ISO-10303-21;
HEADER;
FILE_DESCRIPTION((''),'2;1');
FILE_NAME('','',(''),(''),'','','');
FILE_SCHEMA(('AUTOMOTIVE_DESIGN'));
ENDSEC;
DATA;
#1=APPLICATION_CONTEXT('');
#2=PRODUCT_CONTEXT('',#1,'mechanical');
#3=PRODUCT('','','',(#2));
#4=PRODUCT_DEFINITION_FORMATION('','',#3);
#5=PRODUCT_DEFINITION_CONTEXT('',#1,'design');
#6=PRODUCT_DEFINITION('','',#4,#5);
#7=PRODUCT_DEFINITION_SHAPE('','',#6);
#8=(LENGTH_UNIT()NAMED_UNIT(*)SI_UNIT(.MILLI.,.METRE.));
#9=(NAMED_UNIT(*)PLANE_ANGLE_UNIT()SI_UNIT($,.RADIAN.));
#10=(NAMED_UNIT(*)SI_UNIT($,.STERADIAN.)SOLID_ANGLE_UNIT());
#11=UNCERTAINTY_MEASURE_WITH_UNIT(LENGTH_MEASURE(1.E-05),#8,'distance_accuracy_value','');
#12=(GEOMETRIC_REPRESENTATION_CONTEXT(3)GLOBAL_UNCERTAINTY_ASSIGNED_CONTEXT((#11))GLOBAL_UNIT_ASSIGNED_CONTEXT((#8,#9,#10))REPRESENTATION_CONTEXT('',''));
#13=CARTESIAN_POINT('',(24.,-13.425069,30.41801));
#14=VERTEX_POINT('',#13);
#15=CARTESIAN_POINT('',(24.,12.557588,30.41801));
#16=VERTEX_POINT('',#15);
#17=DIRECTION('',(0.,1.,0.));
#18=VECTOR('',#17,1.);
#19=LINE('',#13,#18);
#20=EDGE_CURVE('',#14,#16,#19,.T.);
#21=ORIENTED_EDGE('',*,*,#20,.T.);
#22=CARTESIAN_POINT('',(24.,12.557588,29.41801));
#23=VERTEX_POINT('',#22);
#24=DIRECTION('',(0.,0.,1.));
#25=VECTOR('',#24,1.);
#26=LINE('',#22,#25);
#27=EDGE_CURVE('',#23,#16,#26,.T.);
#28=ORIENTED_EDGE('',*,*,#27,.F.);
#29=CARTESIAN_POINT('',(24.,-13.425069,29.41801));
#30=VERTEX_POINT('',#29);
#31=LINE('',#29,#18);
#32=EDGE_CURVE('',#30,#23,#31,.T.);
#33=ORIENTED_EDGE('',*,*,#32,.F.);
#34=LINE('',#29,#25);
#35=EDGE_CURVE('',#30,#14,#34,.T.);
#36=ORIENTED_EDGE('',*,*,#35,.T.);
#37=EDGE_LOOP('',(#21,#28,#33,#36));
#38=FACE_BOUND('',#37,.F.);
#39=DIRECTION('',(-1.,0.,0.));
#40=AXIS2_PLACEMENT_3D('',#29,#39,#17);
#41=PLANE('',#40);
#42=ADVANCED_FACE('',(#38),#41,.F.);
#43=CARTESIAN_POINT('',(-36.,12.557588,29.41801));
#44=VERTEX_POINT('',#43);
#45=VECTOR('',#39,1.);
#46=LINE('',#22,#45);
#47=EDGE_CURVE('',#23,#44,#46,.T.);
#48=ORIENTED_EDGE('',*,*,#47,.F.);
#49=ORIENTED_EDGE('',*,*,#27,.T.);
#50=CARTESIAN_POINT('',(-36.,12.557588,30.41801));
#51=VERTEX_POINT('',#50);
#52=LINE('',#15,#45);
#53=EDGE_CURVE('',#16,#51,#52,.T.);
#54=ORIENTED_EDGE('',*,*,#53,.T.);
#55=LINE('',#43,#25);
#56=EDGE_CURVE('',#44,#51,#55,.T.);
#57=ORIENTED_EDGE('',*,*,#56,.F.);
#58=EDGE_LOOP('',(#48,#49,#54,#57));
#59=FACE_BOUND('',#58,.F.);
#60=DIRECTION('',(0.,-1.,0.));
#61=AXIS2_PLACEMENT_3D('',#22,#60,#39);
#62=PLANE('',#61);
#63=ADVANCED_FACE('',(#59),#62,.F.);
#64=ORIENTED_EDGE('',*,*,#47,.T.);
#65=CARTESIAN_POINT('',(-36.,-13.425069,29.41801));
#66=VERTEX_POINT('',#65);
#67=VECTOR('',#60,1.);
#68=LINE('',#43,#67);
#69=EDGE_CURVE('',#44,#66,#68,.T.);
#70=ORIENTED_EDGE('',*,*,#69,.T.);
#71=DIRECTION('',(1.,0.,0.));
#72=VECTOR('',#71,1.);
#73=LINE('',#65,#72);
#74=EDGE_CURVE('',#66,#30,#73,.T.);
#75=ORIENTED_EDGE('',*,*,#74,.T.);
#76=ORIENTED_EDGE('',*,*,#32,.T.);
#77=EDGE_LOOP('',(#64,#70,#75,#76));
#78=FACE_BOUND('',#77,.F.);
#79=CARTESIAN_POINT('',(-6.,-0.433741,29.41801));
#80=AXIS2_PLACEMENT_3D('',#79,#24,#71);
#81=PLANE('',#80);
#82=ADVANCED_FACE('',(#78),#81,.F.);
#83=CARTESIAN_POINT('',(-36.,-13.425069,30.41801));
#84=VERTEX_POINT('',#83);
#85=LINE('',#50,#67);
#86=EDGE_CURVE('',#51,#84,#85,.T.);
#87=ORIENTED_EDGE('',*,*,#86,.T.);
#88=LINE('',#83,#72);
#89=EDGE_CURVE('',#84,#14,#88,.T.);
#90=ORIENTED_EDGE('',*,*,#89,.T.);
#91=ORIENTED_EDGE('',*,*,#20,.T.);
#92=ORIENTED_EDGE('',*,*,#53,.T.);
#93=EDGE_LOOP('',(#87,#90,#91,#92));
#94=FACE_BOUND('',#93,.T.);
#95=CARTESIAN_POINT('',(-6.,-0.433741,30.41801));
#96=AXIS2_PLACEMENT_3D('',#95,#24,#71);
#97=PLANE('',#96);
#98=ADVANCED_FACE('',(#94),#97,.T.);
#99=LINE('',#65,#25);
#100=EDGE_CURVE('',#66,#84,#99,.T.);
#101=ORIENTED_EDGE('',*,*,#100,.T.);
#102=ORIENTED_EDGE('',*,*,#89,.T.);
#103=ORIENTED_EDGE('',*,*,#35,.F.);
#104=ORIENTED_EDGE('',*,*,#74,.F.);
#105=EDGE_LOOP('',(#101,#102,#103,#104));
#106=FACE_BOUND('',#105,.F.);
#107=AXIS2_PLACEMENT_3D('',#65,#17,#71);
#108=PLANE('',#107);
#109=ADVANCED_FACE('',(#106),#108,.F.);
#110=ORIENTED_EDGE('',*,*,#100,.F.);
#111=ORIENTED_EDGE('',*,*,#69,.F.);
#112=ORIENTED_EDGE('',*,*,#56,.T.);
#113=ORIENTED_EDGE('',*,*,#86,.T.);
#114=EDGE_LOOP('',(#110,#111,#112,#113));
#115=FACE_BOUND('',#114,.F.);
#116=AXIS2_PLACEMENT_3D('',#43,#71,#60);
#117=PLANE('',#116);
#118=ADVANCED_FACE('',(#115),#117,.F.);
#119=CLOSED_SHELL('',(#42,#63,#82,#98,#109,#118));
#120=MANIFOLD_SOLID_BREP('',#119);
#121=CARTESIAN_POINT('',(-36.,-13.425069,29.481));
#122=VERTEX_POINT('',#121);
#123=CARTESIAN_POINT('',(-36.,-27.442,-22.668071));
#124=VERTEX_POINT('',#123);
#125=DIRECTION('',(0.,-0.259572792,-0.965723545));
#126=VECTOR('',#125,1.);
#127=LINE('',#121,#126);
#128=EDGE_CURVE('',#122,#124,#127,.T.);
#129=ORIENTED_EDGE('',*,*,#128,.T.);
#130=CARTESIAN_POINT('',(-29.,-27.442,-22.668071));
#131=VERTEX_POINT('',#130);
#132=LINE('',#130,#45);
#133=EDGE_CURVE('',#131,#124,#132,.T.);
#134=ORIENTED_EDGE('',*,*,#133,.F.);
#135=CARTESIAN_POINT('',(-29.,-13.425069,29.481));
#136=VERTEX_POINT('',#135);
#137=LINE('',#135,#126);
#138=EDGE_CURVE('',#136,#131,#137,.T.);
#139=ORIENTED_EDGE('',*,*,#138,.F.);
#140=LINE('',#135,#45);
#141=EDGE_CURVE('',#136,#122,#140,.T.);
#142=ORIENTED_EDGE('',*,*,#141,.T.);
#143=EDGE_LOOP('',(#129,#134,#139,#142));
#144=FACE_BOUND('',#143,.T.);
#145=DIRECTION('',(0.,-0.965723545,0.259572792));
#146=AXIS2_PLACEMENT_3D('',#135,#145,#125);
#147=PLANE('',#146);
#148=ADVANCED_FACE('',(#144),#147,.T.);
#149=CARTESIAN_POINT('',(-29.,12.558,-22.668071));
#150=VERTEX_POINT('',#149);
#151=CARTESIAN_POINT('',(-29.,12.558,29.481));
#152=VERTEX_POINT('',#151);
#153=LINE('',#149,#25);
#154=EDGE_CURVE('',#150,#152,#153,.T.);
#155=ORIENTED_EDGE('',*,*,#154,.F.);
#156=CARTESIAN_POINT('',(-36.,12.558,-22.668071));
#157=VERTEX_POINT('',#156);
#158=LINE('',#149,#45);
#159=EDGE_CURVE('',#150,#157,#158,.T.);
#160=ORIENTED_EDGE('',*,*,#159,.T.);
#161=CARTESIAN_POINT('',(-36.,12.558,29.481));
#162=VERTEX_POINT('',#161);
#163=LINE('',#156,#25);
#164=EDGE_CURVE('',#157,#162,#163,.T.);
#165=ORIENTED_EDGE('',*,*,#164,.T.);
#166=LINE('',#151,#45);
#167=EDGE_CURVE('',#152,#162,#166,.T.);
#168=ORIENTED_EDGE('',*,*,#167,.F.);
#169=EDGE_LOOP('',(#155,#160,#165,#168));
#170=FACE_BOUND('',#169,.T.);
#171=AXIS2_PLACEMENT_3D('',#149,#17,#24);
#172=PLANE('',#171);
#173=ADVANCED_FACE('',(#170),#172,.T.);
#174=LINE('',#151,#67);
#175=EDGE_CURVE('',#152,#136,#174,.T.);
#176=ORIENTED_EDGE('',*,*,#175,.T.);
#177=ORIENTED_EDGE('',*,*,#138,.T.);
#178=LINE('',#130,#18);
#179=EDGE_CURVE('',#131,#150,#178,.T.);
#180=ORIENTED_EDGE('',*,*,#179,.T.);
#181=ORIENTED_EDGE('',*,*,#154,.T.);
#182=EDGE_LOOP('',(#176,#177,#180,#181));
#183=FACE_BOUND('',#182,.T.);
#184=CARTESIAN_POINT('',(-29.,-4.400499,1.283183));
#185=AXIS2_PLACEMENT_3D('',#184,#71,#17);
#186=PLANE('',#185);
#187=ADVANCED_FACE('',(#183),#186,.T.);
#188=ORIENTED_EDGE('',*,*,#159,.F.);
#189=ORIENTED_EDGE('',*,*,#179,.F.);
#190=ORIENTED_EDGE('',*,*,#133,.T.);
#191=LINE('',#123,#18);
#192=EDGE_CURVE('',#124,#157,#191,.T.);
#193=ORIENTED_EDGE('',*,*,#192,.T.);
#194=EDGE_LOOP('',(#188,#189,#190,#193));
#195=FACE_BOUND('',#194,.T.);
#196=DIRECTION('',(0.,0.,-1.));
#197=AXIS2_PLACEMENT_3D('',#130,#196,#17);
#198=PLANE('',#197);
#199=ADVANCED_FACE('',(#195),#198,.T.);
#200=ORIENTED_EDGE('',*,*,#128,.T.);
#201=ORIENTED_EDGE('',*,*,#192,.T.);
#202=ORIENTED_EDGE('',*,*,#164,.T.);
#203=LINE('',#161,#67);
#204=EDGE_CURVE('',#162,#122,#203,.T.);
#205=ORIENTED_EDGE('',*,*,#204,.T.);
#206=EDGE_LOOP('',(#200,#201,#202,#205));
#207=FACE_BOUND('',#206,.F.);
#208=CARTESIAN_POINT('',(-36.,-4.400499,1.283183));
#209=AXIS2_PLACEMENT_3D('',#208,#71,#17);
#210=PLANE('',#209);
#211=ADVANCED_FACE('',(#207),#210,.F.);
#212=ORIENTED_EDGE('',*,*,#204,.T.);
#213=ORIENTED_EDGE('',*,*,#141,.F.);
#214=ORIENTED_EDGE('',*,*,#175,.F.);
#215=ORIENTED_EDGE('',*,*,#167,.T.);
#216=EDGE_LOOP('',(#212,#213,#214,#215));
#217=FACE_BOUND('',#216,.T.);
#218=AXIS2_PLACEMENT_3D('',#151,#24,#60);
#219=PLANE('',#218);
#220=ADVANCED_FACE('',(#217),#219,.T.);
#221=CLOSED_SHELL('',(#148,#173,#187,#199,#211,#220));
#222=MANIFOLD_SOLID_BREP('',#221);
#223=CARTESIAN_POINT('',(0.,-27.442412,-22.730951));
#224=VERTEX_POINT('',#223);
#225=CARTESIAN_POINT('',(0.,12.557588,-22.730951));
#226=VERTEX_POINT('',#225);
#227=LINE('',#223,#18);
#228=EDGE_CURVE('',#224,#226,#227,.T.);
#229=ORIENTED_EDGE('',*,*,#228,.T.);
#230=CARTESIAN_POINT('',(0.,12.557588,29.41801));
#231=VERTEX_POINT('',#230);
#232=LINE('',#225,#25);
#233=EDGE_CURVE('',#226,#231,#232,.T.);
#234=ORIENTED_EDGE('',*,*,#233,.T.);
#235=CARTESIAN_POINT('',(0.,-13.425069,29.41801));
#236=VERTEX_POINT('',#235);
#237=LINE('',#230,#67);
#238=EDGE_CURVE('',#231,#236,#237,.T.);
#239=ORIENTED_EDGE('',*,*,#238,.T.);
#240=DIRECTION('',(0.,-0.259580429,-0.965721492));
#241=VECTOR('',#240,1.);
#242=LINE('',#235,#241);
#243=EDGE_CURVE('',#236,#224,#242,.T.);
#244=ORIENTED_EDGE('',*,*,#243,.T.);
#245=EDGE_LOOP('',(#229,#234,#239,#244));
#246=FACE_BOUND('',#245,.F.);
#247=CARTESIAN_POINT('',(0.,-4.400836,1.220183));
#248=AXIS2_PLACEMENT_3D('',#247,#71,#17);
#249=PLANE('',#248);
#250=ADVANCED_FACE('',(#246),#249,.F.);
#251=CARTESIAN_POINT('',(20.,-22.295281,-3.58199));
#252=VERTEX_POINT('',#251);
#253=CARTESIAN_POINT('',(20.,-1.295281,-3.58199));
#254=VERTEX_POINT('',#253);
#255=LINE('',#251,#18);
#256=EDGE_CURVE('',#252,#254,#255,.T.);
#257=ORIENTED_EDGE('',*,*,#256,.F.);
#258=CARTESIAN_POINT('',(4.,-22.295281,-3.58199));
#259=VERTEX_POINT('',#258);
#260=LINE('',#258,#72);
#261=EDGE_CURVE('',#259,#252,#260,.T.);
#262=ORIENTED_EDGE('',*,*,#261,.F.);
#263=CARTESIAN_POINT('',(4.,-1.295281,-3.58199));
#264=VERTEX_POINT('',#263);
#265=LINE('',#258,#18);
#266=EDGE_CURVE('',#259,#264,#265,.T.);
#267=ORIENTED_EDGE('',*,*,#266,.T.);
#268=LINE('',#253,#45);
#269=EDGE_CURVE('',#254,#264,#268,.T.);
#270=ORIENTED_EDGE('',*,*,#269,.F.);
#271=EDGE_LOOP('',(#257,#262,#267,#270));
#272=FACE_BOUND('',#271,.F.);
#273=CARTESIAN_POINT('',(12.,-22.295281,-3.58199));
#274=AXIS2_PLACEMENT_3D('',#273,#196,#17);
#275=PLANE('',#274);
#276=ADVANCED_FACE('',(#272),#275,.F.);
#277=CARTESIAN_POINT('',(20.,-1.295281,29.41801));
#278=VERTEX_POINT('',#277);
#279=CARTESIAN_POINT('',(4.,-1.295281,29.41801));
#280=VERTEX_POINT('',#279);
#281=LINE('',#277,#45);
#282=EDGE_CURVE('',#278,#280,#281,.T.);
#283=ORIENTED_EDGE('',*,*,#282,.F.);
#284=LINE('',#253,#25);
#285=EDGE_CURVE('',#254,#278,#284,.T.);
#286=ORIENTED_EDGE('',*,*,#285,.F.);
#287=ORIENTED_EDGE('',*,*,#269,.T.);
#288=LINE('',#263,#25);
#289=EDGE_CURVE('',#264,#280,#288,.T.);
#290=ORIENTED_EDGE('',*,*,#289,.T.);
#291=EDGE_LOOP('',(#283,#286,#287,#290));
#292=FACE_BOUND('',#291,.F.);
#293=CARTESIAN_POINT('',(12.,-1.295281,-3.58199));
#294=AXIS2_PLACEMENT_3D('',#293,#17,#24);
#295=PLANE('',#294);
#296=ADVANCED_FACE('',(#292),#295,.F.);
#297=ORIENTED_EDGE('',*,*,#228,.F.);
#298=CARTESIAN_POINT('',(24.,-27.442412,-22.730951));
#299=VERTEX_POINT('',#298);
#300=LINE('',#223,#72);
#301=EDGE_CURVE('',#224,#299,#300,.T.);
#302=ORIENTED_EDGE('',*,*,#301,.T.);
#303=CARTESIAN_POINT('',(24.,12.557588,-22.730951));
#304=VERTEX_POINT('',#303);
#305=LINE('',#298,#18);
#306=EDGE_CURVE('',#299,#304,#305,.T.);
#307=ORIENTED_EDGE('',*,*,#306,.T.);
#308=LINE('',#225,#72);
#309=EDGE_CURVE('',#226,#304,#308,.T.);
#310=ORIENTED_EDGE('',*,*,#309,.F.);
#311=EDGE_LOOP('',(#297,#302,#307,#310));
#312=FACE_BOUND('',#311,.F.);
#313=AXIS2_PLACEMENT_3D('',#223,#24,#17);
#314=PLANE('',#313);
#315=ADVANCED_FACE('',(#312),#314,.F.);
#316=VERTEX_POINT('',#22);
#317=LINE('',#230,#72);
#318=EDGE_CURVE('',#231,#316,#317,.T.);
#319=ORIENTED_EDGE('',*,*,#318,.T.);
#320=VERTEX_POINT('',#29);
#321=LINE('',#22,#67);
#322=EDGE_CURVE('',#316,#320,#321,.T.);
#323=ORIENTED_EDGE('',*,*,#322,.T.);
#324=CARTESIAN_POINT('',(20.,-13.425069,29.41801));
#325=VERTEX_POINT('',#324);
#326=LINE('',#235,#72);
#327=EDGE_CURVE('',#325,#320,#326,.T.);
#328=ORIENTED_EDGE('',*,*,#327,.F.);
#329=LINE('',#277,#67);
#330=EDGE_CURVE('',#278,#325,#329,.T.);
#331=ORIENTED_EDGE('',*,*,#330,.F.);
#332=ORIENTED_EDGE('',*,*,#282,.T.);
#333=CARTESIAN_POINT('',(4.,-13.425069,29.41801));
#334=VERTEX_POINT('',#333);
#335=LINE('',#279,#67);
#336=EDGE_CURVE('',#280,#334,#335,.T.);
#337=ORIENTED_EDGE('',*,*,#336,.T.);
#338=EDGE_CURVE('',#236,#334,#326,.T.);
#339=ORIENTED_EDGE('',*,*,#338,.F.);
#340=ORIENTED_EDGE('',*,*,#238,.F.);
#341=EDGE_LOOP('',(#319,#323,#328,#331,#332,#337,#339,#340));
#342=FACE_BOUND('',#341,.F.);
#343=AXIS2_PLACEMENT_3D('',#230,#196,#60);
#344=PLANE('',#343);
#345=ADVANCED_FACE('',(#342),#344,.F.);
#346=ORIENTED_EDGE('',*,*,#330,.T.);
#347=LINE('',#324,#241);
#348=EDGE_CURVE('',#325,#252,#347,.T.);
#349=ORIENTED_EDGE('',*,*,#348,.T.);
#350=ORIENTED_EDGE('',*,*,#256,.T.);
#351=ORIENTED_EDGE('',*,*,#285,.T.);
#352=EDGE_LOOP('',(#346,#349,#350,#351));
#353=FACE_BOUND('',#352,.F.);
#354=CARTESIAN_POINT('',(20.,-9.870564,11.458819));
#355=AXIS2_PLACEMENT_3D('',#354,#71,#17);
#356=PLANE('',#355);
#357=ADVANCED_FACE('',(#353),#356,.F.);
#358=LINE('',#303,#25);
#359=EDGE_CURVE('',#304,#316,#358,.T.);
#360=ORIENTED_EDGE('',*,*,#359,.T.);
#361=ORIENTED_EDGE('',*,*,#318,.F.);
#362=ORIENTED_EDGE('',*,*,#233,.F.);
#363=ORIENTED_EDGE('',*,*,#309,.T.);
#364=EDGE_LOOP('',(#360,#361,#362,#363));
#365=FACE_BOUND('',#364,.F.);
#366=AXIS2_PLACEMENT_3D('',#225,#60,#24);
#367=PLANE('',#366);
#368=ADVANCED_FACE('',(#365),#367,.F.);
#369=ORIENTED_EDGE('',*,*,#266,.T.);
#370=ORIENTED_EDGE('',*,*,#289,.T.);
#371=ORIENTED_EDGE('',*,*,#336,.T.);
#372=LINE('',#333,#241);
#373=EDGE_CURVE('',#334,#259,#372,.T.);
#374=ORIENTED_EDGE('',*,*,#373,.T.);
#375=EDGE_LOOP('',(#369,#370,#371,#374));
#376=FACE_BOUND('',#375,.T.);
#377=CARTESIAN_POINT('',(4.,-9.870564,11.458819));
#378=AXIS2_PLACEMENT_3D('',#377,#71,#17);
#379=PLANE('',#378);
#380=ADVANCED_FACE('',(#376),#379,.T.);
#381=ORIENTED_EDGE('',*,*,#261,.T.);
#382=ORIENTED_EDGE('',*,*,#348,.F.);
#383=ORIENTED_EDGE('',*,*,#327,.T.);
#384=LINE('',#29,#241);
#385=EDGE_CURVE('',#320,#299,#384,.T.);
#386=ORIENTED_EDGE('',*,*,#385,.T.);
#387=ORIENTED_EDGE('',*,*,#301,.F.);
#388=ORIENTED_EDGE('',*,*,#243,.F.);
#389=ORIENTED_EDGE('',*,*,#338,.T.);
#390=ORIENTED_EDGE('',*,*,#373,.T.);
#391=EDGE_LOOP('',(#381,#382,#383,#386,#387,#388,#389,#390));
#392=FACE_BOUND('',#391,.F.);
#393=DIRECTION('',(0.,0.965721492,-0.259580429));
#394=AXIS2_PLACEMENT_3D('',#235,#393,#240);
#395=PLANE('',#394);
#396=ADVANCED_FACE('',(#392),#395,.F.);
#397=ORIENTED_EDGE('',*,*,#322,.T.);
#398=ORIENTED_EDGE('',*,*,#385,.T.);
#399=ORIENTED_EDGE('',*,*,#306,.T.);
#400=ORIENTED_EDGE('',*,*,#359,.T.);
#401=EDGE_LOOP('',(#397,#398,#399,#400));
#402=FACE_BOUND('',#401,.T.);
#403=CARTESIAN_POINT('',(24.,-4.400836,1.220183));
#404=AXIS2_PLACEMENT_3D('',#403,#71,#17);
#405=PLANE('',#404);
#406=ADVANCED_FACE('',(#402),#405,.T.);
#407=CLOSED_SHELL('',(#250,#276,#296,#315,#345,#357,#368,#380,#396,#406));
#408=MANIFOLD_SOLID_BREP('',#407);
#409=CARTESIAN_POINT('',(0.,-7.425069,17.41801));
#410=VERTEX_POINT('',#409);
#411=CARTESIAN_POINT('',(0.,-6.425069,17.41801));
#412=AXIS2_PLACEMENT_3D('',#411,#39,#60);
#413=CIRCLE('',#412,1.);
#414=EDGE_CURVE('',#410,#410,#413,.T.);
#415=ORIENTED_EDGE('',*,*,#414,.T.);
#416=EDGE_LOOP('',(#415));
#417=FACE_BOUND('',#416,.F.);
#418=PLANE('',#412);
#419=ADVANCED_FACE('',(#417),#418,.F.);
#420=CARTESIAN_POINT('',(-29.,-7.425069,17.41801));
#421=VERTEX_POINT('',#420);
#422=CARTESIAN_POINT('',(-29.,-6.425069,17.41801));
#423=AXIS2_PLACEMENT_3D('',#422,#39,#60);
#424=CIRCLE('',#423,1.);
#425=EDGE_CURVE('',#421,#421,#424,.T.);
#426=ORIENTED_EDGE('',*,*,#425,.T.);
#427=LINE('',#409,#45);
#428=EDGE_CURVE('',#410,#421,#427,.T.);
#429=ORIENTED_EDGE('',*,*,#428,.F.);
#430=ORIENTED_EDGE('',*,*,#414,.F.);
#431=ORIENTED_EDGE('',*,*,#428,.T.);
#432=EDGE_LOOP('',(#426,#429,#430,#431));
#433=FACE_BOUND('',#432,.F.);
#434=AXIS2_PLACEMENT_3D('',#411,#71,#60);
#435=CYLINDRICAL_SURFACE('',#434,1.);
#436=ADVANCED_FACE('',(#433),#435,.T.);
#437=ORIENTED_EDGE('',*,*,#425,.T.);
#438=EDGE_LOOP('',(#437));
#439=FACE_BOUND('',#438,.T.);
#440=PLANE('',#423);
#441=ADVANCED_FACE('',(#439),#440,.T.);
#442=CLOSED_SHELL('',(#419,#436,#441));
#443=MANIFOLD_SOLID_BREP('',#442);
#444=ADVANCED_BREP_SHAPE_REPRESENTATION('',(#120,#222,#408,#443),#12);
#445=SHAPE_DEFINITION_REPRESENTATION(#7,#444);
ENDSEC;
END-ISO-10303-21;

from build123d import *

# Parameters (mm, degrees)
F1_DEPTH  = 24
F4_DEPTH  = 8
F7_DEPTH  = 7
F8_R      = 1
F9_DEPTH  = 29
F12_DEPTH = 1


with BuildPart() as f1:
    # F0 (on Right) → F1 (new body)
    with BuildSketch(Plane.YZ):
        Polygon((12.5575875863, -22.7309510559), (12.5575875863, 29.4180095303), (-13.4250692352, 29.4180095303), (-27.4424124137, -22.7309510559), align=None)
    extrude(amount=F1_DEPTH)

    # F3 (on offset) → F4 (cut, symmetric)
    with BuildSketch(Plane.YZ.offset(12)):
        Polygon((-1.2952810225, 29.4180095303), (-13.4250692352, 29.4180095303), (-22.2952810225, -3.5819904697), (-1.2952810225, -3.5819904697), align=None)
    extrude(amount=F4_DEPTH, both=True, mode=Mode.SUBTRACT)


with BuildPart() as f7:
    # F6 (on offset) → F7 (new body)
    with BuildSketch(Plane.YZ.offset(-29)):
        Polygon((12.558, -22.6680714388), (12.558, 29.481), (-13.4250692352, 29.481), (-27.442, -22.6680714388), (-27.4255107312, -22.6680714388), align=None)
    extrude(amount=-F7_DEPTH)


with BuildPart() as f9:
    # F8 (on face) → F9 (new body, through all)
    with BuildSketch(Plane(origin=(0, 0, 0), x_dir=(0, -1, 0), z_dir=(-1, 0, 0))):
        with Locations((6.4250692352, 17.4180095303)):
            Circle(F8_R)
    extrude(amount=F9_DEPTH)


with BuildPart() as f12:
    # F11 (on offset) → F12 (new body)
    with BuildSketch(Plane.XY.offset(29.4180095303)):
        Polygon((0, 12.5575875863), (-36, 12.5575875863), (-36, -13.4250692352), (20, -13.4250692352), (24, -13.4250692352), (24, 12.5575875863), align=None)
    extrude(amount=F12_DEPTH)


solid = Compound([f1.part, f7.part, f9.part, f12.part])
